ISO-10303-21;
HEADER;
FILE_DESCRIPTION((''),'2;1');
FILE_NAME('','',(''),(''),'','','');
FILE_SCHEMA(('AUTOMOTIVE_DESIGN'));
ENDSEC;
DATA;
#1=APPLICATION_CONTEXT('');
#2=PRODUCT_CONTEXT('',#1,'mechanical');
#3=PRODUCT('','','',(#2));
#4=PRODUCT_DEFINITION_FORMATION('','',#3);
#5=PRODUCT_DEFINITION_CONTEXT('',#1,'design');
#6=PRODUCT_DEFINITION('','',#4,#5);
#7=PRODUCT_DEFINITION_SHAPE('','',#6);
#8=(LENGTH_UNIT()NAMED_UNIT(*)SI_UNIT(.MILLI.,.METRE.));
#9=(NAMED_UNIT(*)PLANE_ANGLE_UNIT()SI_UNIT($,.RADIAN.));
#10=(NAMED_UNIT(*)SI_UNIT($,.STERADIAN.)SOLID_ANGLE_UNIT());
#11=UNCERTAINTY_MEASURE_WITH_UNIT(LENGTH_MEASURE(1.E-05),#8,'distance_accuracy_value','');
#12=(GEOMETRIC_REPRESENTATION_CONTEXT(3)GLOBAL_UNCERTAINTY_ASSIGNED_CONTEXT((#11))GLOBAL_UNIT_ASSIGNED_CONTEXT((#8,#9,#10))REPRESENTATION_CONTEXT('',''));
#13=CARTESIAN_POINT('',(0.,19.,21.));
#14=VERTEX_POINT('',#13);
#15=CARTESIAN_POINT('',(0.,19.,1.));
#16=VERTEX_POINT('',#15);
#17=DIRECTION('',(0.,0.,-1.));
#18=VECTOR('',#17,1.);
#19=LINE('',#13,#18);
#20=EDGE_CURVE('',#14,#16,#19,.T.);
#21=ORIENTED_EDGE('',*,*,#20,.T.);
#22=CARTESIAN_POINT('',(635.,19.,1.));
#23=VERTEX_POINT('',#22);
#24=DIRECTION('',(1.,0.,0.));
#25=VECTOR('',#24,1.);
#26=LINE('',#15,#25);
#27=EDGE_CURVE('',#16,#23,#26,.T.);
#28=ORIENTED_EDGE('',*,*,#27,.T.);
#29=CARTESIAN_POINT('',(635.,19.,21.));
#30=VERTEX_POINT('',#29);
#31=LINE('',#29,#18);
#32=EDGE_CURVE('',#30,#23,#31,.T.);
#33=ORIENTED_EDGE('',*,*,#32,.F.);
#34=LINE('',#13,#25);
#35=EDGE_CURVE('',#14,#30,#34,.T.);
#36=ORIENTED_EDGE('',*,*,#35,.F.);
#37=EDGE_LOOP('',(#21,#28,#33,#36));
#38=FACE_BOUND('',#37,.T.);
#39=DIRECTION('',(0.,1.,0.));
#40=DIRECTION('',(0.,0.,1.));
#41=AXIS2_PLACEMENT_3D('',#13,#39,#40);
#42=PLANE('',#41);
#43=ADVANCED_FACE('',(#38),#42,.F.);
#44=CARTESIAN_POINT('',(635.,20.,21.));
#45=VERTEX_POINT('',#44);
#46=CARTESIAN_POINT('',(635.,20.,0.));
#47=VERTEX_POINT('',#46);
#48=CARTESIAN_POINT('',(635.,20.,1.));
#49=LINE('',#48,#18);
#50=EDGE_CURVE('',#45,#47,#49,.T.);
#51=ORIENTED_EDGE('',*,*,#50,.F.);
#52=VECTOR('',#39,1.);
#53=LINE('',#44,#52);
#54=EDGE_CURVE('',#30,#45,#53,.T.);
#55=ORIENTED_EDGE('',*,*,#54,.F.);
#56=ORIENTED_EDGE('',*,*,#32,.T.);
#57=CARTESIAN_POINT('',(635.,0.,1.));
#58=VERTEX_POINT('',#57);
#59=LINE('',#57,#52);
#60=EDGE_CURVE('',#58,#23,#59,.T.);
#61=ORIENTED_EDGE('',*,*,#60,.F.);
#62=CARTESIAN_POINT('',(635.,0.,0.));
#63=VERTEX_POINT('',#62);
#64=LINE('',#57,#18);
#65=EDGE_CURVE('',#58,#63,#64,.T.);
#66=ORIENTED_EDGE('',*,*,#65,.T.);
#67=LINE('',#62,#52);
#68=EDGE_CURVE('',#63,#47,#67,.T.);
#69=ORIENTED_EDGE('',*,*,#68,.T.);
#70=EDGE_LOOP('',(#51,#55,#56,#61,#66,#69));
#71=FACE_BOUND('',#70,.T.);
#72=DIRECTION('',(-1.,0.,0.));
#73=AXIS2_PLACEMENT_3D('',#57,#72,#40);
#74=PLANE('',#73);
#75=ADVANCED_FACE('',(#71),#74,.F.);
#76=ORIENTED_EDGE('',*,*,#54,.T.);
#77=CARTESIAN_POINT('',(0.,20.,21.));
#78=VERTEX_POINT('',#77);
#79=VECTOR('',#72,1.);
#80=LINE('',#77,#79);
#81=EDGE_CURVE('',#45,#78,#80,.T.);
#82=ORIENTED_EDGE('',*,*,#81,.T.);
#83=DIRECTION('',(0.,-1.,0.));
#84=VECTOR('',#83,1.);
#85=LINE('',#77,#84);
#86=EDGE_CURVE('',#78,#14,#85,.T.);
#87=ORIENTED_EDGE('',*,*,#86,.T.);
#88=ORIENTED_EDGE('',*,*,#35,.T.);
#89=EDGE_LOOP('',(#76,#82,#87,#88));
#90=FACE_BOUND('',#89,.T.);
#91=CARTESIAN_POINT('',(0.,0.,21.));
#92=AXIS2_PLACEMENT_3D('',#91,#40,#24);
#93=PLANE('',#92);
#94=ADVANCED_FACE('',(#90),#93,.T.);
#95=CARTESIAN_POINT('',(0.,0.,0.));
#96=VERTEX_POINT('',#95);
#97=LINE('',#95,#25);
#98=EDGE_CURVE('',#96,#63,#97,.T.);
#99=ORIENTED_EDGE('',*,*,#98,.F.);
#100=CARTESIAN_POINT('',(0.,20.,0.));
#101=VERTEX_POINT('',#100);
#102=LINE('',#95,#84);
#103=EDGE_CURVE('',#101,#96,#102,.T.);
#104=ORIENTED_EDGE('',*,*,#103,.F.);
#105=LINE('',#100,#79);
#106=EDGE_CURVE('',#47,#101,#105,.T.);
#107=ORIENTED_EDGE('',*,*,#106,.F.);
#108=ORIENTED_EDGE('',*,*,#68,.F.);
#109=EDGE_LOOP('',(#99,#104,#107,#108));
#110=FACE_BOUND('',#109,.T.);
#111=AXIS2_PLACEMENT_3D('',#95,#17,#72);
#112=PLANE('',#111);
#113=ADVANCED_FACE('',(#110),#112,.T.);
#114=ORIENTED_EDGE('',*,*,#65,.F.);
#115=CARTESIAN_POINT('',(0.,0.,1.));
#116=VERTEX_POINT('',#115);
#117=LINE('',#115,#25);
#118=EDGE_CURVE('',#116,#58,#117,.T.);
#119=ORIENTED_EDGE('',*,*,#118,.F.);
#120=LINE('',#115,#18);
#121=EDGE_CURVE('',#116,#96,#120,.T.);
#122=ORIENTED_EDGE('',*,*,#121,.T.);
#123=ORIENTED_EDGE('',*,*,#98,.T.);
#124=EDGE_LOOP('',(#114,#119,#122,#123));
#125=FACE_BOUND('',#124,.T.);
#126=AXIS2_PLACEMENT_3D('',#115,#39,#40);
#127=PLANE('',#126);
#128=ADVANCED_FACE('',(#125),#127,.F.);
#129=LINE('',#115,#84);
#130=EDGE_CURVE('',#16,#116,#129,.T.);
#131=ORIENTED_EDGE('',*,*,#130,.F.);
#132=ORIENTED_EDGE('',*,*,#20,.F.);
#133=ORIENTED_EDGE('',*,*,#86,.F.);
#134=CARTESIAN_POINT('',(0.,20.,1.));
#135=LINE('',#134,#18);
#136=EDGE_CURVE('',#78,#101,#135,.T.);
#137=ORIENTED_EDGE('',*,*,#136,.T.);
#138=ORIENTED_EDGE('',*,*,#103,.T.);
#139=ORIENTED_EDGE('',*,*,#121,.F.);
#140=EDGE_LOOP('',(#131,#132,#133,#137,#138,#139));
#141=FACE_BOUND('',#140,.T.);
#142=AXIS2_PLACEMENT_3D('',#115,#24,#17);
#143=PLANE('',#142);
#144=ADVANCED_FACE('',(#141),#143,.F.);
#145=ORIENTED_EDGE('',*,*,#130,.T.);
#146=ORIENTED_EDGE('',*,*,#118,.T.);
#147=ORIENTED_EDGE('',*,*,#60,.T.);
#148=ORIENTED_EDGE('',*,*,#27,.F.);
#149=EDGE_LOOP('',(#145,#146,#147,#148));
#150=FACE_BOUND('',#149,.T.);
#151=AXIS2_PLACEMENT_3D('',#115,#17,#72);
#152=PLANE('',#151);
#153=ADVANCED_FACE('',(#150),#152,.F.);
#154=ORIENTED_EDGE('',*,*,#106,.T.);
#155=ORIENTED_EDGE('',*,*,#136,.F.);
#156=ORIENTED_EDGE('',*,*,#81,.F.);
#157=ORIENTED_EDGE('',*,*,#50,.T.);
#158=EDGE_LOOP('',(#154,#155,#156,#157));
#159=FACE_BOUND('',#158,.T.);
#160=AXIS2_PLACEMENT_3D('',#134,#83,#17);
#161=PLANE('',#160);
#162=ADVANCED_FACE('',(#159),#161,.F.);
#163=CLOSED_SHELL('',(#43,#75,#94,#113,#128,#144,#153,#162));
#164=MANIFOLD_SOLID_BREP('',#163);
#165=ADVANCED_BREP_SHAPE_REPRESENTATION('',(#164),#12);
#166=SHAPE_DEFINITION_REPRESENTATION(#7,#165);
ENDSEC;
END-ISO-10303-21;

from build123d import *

# Parameters (mm, degrees)
ESQUISSE1_W        = 635
ESQUISSE1_H        = 20
BOSS_EXTRU_1_DEPTH = 1
ESQUISSE2_W        = 635
ESQUISSE2_H        = 1
BOSS_EXTRU_2_DEPTH = 20


with BuildPart() as part:
    # Esquisse1 → Boss.-Extru.1 (new body)
    with BuildSketch(Plane.XY):
        with Locations((317.5, 10)):
            Rectangle(ESQUISSE1_W, ESQUISSE1_H)
    extrude(amount=BOSS_EXTRU_1_DEPTH)

    # Esquisse2 → Boss.-Extru.2 (add)
    with BuildSketch(Plane.XY.offset(1)):
        with Locations((317.5, 19.5)):
            Rectangle(ESQUISSE2_W, ESQUISSE2_H)
    extrude(amount=BOSS_EXTRU_2_DEPTH)


solid = part.part
